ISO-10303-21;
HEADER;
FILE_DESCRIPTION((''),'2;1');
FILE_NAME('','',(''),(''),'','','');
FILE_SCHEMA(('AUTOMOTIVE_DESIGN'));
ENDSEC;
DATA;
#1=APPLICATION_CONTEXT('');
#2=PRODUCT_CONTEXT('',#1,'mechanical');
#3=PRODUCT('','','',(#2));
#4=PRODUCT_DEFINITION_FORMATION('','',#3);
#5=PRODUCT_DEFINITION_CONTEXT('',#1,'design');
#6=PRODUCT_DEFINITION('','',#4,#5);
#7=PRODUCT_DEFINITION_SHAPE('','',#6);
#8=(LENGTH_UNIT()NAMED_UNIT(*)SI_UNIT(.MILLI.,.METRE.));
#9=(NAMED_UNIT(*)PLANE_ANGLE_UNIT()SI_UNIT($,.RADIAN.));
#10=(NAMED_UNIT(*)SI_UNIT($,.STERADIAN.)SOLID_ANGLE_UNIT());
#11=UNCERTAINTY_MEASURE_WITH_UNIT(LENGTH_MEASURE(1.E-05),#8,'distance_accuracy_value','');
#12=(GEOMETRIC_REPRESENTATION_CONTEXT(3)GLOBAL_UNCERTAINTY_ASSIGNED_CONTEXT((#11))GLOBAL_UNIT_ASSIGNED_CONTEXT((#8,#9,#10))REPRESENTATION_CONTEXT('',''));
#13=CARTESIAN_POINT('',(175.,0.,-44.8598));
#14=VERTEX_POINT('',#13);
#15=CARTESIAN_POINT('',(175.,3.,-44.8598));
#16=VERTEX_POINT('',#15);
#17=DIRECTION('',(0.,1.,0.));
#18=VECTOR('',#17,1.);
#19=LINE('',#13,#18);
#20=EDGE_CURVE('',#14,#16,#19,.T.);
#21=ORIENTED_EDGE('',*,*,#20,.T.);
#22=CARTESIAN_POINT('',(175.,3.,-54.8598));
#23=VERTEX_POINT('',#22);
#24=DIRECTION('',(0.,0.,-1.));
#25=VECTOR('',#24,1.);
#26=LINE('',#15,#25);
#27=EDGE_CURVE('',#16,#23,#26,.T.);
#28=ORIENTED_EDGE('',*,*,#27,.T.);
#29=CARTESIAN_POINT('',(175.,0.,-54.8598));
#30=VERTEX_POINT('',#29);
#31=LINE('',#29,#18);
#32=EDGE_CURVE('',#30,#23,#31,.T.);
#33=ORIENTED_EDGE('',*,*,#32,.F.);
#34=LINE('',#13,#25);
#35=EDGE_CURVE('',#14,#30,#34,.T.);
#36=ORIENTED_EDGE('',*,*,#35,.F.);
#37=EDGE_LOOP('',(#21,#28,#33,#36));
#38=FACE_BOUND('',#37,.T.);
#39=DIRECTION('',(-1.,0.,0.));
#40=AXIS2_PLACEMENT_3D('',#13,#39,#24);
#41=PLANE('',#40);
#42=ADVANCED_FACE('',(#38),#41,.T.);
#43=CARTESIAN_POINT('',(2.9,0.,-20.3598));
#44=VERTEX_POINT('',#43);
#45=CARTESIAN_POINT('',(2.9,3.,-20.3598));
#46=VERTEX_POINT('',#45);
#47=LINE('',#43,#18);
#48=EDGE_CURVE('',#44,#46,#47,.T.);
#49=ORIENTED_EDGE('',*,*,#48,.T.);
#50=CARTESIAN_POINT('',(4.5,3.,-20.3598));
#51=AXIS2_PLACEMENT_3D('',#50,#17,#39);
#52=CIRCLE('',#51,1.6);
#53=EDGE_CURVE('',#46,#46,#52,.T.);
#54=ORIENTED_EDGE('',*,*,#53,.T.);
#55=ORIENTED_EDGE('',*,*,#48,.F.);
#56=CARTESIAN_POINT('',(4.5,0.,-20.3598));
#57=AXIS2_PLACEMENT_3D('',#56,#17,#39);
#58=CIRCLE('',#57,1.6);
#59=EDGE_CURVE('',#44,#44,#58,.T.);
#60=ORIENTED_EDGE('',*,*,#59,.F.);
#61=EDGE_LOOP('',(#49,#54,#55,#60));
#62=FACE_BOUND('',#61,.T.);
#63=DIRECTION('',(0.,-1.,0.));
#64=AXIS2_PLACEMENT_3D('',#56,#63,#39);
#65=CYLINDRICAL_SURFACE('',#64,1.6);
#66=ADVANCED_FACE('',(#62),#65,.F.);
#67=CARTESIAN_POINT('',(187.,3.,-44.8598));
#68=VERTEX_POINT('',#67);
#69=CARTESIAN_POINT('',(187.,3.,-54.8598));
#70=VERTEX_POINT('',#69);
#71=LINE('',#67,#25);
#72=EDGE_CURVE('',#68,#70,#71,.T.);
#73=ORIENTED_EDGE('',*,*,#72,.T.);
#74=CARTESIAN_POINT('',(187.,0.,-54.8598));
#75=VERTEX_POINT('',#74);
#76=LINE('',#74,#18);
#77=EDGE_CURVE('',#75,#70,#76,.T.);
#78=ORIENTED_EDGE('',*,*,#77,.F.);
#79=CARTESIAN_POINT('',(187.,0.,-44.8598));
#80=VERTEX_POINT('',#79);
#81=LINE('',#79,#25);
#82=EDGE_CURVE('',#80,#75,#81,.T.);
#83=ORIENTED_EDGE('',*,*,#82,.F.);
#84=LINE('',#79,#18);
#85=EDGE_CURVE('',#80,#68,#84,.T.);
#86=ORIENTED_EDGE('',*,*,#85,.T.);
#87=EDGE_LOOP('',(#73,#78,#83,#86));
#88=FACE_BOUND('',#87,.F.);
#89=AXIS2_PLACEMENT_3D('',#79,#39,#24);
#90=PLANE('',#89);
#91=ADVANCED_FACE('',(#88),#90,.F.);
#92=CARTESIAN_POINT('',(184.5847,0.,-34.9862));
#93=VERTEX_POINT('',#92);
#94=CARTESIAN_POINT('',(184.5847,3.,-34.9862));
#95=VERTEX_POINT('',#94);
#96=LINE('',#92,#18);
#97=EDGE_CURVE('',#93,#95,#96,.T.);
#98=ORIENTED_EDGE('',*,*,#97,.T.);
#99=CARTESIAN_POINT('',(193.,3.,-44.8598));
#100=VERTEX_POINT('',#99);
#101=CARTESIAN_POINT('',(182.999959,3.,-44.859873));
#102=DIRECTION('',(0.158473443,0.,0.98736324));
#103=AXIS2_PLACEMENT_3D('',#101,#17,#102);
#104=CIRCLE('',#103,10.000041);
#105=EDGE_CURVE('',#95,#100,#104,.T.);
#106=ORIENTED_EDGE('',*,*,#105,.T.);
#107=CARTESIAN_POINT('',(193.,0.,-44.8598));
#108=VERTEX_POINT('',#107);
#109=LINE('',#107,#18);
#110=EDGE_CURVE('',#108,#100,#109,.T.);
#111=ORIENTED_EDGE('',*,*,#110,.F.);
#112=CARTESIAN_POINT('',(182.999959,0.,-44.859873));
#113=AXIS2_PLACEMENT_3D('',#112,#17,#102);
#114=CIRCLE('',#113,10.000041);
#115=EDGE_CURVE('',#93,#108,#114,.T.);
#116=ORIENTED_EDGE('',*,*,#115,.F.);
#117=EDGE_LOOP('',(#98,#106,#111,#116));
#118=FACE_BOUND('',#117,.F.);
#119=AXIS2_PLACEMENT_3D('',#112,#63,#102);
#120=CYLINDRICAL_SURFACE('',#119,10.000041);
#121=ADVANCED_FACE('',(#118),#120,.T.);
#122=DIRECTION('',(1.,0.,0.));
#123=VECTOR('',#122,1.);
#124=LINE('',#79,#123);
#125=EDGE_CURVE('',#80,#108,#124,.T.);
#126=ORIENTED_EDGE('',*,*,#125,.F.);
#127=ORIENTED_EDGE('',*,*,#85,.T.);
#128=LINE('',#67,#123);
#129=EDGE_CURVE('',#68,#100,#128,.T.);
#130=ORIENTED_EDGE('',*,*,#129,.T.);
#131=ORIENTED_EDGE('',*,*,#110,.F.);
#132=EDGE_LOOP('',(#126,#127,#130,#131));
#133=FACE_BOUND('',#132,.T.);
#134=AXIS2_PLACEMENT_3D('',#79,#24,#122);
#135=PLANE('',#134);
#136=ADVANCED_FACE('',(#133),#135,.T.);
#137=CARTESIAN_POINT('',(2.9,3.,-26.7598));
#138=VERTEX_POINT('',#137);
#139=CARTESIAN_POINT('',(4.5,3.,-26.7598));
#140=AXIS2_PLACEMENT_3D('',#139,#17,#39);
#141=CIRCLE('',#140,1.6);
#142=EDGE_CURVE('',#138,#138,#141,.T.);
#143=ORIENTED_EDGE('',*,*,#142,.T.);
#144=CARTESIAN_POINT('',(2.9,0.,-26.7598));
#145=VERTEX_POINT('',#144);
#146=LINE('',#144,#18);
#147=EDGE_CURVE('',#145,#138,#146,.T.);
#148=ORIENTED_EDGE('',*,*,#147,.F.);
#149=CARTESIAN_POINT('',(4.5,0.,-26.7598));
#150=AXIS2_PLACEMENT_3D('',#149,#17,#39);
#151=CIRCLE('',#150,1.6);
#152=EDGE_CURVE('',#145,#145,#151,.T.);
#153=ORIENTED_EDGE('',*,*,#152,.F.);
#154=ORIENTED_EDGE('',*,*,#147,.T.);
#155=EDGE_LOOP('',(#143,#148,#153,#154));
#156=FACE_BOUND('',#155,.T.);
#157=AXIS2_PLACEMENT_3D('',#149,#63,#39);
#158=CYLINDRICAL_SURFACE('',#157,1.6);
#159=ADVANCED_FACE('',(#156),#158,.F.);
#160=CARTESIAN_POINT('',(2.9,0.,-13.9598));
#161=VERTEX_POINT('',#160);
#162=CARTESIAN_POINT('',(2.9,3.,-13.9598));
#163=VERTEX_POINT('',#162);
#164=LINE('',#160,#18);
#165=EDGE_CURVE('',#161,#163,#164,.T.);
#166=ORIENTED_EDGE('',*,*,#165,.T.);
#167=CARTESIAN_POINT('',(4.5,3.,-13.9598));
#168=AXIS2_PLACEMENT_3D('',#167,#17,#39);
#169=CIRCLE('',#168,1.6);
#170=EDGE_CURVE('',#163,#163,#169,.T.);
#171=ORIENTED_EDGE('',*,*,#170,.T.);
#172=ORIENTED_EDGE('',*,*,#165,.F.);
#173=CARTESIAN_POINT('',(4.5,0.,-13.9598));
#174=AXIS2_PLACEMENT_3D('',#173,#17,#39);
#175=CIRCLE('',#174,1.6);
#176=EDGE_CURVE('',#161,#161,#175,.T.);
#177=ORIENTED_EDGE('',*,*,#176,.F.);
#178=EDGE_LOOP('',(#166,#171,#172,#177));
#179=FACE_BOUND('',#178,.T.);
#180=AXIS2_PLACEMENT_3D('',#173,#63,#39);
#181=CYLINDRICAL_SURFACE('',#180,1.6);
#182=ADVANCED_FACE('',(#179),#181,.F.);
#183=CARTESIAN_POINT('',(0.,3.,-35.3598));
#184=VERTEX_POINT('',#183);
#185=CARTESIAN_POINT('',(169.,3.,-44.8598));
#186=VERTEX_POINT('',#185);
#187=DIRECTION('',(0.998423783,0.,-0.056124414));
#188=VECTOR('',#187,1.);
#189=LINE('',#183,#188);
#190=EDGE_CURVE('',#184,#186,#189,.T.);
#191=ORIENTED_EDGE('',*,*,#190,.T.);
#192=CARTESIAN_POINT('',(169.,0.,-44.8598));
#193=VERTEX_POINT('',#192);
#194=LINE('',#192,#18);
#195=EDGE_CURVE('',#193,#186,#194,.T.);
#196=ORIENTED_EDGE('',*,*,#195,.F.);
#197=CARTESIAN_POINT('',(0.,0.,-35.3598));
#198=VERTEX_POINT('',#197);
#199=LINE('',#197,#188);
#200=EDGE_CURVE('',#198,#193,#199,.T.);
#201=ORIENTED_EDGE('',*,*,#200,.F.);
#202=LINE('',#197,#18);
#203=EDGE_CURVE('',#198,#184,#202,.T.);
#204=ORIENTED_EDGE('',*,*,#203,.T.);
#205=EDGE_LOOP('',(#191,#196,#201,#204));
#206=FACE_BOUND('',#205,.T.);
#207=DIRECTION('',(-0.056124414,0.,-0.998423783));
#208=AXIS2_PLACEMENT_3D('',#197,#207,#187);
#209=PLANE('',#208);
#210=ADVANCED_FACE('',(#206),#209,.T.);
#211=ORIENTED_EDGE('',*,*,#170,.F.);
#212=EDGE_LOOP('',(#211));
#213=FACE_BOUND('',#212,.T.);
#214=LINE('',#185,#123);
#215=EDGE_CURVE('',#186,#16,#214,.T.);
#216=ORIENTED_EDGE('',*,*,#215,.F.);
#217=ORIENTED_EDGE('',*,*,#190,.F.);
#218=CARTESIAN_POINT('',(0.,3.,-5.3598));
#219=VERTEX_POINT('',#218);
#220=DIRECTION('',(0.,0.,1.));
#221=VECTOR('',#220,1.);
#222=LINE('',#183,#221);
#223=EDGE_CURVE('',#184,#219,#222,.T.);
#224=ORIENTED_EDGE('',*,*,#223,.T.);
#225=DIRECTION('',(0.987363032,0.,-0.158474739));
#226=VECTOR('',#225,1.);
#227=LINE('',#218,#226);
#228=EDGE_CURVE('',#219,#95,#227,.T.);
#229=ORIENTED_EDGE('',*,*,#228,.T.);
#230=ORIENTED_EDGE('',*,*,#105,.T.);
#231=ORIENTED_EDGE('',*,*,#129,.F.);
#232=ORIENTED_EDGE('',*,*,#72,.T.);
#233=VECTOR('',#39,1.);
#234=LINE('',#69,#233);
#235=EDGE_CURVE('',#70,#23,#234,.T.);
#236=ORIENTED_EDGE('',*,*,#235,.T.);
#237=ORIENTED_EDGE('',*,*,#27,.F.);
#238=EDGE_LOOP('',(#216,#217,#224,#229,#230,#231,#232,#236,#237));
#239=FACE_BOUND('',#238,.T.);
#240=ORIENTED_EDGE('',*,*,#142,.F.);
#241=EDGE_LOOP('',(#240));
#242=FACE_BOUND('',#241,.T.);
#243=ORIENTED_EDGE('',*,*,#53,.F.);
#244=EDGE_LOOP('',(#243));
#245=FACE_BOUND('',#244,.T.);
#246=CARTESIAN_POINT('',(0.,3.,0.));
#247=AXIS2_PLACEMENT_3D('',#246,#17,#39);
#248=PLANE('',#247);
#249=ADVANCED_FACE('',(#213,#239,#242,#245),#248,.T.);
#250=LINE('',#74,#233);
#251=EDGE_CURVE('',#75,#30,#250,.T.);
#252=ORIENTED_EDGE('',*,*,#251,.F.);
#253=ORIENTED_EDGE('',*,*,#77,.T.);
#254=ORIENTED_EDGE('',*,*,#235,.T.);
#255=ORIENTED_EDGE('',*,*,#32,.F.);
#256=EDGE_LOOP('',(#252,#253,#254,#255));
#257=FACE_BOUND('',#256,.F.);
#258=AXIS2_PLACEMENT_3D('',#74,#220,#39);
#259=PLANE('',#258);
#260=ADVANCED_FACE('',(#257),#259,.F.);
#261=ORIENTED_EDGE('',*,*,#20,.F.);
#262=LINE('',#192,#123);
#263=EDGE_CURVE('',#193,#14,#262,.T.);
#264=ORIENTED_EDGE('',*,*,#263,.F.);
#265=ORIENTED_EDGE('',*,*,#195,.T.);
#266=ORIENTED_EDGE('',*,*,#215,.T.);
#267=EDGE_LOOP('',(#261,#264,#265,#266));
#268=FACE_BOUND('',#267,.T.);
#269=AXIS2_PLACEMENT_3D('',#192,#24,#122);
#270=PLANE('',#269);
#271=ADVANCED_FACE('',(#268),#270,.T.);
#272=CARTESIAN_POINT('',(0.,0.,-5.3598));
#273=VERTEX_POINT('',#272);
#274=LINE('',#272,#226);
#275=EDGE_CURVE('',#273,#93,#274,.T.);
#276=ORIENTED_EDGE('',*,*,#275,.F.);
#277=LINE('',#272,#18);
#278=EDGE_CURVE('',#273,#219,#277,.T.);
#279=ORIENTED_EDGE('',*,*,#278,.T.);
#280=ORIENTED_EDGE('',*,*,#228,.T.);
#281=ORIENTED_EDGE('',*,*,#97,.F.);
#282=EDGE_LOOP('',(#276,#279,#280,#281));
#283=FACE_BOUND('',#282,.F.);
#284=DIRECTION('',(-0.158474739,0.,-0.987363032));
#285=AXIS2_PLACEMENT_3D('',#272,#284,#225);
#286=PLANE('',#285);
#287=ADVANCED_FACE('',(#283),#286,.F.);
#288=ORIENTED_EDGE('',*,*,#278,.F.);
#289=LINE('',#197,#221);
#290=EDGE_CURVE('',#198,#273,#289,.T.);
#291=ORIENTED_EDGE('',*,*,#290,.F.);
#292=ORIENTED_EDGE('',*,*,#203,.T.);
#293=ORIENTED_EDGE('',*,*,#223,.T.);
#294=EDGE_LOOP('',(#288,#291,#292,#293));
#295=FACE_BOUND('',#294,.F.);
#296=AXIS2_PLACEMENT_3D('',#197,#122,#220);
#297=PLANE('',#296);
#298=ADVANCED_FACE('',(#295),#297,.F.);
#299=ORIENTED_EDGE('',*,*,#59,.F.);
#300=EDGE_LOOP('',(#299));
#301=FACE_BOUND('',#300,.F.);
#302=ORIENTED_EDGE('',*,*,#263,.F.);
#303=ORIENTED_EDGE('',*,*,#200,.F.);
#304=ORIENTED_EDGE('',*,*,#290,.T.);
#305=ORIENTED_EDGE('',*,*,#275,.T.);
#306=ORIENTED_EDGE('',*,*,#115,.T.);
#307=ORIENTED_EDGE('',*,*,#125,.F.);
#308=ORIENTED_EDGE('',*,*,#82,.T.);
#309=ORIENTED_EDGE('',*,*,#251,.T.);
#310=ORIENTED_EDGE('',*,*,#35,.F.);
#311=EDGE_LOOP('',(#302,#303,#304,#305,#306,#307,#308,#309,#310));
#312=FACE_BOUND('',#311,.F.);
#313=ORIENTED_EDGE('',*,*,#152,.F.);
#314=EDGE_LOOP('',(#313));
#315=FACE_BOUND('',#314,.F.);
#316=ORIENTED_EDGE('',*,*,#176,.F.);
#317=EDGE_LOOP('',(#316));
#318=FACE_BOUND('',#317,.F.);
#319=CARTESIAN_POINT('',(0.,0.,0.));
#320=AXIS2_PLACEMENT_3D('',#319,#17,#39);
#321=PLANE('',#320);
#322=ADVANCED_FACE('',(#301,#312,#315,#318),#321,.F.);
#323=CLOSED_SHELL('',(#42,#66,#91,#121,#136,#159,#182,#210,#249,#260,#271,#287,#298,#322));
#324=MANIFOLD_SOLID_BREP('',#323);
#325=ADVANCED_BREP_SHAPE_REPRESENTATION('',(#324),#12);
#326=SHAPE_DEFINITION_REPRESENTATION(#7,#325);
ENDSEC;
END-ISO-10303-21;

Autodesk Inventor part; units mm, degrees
ref_plane "YZ Plane" through (0, 0, 0) normal (1, 0, 0) x (0, 1, 0)
ref_plane "XZ Plane" through (0, 0, 0) normal (0, 1, 0) x (-1, 0, 0)
ref_plane "XY Plane" through (0, 0, 0) normal (0, 0, 1) x (1, 0, 0)
sketch "スケッチ3" plane through (0, 0, 0) normal (0, 1, 0) x (-1, 0, 0)
  line L0 (0, -35.3598) -> (0, -5.3598)
  line L1 (-187, -44.8598) -> (-187, -54.8598) projected
  line L2 (-175, -44.8598) -> (-175, -54.8598) projected
  line L3 (0, -5.3598) -> (-184.5847, -34.9862)
  arc A0 (-184.5847, -34.9862) -> (-193, -44.8598) centre (-183, -44.8598) ccw
  line L4 (-187, -54.8598) -> (-175, -54.8598)
  line L5 (-187, -44.8598) -> (-193, -44.8598)
  line L6 (0, -35.3598) -> (-169, -44.8598)
  line L7 (-169, -44.8598) -> (-175, -44.8598)
  circle A1 centre (-4.5, -20.3598) radius 1.6 projected
  circle A2 centre (-4.5, -13.9598) radius 1.6
  circle A3 centre (-4.5, -26.7598) radius 1.6
  point P0 (0, -20.3598)
  dimension "d17" = 10
  dimension "d18" = 6
  dimension "d20" = 30
  dimension "d21" = 4.5
  dimension "d22" = 6.4
  dimension "d23" = 6.4
extrude "押し出し2" add sketch "スケッチ3" along normal blind 3
equation "\"d23\" = d22"
properties part number "SqPipe92" material "アクリル、クリア"
